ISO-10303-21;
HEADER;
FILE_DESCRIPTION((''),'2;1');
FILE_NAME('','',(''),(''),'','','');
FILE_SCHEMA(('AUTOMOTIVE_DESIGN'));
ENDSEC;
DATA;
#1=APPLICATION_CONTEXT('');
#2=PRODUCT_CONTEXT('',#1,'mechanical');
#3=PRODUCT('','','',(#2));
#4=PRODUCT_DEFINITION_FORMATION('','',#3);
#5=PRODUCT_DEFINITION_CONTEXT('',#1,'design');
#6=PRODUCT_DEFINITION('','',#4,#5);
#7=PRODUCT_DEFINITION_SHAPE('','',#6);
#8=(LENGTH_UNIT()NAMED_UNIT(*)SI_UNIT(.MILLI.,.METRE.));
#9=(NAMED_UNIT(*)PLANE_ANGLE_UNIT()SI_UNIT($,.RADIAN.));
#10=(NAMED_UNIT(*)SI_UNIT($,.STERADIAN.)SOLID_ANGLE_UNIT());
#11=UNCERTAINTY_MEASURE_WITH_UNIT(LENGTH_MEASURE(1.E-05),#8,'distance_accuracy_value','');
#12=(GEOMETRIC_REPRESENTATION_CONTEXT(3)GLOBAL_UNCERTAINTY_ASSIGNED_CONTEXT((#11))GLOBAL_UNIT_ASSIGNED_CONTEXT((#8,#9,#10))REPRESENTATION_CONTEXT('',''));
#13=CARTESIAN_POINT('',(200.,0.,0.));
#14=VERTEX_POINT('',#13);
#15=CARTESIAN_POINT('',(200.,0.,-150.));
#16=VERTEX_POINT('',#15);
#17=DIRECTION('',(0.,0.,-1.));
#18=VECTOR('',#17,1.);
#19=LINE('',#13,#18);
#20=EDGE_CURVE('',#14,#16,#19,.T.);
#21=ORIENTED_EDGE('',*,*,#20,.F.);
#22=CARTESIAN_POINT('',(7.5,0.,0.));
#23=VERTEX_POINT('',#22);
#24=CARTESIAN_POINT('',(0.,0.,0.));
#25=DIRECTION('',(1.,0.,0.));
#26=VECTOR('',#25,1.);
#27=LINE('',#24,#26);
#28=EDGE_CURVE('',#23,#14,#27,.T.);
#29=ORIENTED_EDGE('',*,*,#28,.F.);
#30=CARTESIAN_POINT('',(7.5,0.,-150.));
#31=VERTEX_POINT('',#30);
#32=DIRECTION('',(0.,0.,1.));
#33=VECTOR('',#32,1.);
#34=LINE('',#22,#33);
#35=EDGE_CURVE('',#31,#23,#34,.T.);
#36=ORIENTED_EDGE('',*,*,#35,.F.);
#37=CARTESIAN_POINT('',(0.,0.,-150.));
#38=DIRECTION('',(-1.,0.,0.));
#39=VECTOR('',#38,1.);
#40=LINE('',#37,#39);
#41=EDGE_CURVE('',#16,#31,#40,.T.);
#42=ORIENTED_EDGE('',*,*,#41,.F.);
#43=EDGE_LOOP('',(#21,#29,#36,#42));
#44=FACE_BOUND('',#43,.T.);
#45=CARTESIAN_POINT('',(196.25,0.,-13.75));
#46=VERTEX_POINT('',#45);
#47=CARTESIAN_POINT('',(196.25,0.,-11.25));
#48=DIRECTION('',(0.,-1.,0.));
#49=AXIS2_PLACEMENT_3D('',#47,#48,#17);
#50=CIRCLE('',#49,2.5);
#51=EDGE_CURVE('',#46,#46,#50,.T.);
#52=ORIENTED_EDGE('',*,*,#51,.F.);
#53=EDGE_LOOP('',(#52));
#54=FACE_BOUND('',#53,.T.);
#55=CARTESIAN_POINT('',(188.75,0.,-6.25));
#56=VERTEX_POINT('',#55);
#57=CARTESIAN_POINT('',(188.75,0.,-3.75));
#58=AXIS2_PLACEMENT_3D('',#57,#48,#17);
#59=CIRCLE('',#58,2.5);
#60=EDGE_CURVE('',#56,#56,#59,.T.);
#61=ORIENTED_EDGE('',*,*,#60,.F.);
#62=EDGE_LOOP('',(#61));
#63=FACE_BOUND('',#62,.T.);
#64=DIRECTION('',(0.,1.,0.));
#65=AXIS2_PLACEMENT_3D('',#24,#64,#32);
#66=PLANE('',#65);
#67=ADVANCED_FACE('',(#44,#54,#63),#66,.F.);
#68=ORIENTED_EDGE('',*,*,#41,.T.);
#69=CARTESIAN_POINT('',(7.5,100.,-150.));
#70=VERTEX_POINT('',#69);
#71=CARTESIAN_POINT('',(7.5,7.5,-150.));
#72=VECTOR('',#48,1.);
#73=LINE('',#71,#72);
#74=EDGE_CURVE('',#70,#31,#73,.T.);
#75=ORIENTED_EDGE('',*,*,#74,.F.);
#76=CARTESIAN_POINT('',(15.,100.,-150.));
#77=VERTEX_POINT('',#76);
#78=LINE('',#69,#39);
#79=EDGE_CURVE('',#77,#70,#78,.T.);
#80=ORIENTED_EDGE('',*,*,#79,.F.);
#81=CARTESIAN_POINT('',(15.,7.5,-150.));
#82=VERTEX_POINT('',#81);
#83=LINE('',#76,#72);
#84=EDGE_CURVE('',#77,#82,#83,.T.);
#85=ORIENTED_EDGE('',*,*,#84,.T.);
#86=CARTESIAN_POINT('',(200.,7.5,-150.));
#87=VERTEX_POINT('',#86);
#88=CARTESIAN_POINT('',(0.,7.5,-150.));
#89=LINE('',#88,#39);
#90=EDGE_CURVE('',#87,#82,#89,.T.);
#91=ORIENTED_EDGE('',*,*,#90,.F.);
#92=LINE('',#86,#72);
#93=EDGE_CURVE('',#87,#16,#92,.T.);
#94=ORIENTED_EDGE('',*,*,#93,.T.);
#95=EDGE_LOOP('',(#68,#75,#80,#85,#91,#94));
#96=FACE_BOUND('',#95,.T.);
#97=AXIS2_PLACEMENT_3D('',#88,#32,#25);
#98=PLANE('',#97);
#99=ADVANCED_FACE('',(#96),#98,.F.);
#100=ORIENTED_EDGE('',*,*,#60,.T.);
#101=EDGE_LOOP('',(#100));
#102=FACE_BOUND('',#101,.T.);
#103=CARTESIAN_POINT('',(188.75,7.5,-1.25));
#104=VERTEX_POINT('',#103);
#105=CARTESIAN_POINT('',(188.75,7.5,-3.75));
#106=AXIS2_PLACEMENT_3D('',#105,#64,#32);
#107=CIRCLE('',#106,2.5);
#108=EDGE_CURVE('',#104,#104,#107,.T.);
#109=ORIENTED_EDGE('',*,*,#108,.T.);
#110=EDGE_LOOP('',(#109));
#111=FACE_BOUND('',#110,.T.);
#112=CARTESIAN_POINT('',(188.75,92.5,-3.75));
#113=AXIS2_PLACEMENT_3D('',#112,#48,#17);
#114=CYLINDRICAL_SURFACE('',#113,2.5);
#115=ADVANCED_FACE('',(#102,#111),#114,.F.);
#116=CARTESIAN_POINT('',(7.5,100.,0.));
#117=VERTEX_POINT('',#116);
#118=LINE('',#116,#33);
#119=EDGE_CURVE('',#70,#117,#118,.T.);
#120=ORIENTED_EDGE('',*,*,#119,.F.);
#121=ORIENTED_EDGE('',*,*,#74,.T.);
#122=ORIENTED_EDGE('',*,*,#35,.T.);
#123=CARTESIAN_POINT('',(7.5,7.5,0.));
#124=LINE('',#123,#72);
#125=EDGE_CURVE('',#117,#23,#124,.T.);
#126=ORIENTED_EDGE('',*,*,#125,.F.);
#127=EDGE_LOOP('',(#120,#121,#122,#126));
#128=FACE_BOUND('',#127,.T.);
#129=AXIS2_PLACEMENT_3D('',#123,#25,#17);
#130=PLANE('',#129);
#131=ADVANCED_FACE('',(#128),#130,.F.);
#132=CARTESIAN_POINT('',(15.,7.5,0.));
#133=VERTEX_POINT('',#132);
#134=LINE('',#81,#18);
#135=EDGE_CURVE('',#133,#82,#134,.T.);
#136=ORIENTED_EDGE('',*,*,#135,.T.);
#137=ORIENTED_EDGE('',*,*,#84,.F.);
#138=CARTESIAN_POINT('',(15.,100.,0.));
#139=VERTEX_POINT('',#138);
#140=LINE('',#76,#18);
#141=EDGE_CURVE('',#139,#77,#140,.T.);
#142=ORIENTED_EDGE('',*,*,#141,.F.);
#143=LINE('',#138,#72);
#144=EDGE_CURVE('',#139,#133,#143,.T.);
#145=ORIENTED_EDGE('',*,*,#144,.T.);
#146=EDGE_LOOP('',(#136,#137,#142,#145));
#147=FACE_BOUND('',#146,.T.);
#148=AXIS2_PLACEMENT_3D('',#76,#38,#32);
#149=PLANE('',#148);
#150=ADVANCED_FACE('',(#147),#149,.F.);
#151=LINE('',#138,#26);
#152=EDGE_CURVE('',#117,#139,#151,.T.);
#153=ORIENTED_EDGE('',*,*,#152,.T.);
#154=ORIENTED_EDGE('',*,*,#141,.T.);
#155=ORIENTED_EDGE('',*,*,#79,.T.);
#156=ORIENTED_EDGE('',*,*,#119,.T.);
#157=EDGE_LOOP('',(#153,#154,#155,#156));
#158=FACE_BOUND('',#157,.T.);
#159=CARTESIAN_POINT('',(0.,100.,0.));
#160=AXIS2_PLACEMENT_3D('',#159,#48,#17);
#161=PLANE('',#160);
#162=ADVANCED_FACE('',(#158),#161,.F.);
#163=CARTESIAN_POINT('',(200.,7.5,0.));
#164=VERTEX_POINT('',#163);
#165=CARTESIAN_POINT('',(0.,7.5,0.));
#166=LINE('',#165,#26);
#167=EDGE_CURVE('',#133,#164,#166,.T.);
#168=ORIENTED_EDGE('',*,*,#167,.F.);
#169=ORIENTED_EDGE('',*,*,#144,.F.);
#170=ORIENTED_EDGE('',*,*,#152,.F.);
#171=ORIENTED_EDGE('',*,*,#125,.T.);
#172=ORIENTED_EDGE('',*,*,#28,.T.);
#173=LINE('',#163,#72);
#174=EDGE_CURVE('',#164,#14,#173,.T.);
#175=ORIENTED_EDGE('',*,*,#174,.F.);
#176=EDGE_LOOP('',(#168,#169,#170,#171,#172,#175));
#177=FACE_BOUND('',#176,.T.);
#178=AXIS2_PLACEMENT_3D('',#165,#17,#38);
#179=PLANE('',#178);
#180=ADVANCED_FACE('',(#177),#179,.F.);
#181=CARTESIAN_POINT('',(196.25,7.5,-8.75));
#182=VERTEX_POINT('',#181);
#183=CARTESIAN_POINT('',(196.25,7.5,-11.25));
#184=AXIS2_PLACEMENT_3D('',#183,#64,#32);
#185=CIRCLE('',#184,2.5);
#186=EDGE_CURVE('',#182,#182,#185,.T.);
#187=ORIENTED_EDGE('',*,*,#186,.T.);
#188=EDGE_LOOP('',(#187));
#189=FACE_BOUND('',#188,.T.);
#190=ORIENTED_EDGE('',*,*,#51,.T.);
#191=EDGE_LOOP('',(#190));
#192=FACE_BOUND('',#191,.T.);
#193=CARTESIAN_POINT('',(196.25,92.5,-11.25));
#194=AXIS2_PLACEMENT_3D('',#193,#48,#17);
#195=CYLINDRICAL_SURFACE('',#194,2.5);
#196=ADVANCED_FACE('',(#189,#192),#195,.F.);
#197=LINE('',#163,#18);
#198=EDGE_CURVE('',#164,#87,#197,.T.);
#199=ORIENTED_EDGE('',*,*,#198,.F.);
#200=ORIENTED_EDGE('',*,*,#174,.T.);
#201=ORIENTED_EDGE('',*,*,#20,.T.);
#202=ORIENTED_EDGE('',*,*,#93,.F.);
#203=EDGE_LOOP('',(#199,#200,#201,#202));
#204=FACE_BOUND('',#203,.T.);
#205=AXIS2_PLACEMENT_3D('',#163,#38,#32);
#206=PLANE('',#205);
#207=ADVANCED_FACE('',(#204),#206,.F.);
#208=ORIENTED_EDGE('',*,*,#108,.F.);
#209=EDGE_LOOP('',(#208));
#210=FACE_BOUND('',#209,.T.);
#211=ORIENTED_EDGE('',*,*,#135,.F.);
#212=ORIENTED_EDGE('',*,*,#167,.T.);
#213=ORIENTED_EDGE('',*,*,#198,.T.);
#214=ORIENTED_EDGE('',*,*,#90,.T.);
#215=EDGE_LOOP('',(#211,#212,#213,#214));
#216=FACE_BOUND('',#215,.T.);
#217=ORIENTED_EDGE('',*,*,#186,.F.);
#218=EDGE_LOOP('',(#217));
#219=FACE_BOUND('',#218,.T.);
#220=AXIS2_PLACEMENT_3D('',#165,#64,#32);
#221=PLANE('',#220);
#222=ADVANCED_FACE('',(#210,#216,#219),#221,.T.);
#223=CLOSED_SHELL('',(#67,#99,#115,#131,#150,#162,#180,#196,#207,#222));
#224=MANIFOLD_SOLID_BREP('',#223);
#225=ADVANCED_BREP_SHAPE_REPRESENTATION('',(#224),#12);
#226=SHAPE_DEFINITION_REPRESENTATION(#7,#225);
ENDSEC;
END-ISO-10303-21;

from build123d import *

# Parameters (mm, degrees)
SKETCH1_W           = 192.5
SKETCH1_H           = 150
BOSS_EXTRUDE1_DEPTH = 7.5
SKETCH2_W           = 7.5
SKETCH2_H           = 150
BOSS_EXTRUDE2_DEPTH = 92.5
SKETCH3_R           = 2.5
CUT_EXTRUDE1_DEPTH  = 92.5


with BuildPart() as part:
    # Sketch1 → Boss-Extrude1 (new body)
    with BuildSketch(Plane(origin=(0, 0, 0), x_dir=(1, 0, 0), z_dir=(0, 1, 0))):
        with Locations((103.75, 75)):
            Rectangle(SKETCH1_W, SKETCH1_H)
    extrude(amount=BOSS_EXTRUDE1_DEPTH)

    # Sketch2 → Boss-Extrude2 (add)
    with BuildSketch(Plane(origin=(0, 7.5, 0), x_dir=(1, 0, 0), z_dir=(0, 1, 0))):
        with Locations((11.25, 75)):
            Rectangle(SKETCH2_W, SKETCH2_H)
    extrude(amount=BOSS_EXTRUDE2_DEPTH)

    # Sketch3 → Cut-Extrude1 (cut)
    with BuildSketch(Plane.XZ):
        with Locations((188.75, -3.75)):
            Circle(SKETCH3_R)
        with Locations((196.25, -11.25)):
            Circle(SKETCH3_R)
    extrude(amount=-CUT_EXTRUDE1_DEPTH, mode=Mode.SUBTRACT)


solid = part.part
